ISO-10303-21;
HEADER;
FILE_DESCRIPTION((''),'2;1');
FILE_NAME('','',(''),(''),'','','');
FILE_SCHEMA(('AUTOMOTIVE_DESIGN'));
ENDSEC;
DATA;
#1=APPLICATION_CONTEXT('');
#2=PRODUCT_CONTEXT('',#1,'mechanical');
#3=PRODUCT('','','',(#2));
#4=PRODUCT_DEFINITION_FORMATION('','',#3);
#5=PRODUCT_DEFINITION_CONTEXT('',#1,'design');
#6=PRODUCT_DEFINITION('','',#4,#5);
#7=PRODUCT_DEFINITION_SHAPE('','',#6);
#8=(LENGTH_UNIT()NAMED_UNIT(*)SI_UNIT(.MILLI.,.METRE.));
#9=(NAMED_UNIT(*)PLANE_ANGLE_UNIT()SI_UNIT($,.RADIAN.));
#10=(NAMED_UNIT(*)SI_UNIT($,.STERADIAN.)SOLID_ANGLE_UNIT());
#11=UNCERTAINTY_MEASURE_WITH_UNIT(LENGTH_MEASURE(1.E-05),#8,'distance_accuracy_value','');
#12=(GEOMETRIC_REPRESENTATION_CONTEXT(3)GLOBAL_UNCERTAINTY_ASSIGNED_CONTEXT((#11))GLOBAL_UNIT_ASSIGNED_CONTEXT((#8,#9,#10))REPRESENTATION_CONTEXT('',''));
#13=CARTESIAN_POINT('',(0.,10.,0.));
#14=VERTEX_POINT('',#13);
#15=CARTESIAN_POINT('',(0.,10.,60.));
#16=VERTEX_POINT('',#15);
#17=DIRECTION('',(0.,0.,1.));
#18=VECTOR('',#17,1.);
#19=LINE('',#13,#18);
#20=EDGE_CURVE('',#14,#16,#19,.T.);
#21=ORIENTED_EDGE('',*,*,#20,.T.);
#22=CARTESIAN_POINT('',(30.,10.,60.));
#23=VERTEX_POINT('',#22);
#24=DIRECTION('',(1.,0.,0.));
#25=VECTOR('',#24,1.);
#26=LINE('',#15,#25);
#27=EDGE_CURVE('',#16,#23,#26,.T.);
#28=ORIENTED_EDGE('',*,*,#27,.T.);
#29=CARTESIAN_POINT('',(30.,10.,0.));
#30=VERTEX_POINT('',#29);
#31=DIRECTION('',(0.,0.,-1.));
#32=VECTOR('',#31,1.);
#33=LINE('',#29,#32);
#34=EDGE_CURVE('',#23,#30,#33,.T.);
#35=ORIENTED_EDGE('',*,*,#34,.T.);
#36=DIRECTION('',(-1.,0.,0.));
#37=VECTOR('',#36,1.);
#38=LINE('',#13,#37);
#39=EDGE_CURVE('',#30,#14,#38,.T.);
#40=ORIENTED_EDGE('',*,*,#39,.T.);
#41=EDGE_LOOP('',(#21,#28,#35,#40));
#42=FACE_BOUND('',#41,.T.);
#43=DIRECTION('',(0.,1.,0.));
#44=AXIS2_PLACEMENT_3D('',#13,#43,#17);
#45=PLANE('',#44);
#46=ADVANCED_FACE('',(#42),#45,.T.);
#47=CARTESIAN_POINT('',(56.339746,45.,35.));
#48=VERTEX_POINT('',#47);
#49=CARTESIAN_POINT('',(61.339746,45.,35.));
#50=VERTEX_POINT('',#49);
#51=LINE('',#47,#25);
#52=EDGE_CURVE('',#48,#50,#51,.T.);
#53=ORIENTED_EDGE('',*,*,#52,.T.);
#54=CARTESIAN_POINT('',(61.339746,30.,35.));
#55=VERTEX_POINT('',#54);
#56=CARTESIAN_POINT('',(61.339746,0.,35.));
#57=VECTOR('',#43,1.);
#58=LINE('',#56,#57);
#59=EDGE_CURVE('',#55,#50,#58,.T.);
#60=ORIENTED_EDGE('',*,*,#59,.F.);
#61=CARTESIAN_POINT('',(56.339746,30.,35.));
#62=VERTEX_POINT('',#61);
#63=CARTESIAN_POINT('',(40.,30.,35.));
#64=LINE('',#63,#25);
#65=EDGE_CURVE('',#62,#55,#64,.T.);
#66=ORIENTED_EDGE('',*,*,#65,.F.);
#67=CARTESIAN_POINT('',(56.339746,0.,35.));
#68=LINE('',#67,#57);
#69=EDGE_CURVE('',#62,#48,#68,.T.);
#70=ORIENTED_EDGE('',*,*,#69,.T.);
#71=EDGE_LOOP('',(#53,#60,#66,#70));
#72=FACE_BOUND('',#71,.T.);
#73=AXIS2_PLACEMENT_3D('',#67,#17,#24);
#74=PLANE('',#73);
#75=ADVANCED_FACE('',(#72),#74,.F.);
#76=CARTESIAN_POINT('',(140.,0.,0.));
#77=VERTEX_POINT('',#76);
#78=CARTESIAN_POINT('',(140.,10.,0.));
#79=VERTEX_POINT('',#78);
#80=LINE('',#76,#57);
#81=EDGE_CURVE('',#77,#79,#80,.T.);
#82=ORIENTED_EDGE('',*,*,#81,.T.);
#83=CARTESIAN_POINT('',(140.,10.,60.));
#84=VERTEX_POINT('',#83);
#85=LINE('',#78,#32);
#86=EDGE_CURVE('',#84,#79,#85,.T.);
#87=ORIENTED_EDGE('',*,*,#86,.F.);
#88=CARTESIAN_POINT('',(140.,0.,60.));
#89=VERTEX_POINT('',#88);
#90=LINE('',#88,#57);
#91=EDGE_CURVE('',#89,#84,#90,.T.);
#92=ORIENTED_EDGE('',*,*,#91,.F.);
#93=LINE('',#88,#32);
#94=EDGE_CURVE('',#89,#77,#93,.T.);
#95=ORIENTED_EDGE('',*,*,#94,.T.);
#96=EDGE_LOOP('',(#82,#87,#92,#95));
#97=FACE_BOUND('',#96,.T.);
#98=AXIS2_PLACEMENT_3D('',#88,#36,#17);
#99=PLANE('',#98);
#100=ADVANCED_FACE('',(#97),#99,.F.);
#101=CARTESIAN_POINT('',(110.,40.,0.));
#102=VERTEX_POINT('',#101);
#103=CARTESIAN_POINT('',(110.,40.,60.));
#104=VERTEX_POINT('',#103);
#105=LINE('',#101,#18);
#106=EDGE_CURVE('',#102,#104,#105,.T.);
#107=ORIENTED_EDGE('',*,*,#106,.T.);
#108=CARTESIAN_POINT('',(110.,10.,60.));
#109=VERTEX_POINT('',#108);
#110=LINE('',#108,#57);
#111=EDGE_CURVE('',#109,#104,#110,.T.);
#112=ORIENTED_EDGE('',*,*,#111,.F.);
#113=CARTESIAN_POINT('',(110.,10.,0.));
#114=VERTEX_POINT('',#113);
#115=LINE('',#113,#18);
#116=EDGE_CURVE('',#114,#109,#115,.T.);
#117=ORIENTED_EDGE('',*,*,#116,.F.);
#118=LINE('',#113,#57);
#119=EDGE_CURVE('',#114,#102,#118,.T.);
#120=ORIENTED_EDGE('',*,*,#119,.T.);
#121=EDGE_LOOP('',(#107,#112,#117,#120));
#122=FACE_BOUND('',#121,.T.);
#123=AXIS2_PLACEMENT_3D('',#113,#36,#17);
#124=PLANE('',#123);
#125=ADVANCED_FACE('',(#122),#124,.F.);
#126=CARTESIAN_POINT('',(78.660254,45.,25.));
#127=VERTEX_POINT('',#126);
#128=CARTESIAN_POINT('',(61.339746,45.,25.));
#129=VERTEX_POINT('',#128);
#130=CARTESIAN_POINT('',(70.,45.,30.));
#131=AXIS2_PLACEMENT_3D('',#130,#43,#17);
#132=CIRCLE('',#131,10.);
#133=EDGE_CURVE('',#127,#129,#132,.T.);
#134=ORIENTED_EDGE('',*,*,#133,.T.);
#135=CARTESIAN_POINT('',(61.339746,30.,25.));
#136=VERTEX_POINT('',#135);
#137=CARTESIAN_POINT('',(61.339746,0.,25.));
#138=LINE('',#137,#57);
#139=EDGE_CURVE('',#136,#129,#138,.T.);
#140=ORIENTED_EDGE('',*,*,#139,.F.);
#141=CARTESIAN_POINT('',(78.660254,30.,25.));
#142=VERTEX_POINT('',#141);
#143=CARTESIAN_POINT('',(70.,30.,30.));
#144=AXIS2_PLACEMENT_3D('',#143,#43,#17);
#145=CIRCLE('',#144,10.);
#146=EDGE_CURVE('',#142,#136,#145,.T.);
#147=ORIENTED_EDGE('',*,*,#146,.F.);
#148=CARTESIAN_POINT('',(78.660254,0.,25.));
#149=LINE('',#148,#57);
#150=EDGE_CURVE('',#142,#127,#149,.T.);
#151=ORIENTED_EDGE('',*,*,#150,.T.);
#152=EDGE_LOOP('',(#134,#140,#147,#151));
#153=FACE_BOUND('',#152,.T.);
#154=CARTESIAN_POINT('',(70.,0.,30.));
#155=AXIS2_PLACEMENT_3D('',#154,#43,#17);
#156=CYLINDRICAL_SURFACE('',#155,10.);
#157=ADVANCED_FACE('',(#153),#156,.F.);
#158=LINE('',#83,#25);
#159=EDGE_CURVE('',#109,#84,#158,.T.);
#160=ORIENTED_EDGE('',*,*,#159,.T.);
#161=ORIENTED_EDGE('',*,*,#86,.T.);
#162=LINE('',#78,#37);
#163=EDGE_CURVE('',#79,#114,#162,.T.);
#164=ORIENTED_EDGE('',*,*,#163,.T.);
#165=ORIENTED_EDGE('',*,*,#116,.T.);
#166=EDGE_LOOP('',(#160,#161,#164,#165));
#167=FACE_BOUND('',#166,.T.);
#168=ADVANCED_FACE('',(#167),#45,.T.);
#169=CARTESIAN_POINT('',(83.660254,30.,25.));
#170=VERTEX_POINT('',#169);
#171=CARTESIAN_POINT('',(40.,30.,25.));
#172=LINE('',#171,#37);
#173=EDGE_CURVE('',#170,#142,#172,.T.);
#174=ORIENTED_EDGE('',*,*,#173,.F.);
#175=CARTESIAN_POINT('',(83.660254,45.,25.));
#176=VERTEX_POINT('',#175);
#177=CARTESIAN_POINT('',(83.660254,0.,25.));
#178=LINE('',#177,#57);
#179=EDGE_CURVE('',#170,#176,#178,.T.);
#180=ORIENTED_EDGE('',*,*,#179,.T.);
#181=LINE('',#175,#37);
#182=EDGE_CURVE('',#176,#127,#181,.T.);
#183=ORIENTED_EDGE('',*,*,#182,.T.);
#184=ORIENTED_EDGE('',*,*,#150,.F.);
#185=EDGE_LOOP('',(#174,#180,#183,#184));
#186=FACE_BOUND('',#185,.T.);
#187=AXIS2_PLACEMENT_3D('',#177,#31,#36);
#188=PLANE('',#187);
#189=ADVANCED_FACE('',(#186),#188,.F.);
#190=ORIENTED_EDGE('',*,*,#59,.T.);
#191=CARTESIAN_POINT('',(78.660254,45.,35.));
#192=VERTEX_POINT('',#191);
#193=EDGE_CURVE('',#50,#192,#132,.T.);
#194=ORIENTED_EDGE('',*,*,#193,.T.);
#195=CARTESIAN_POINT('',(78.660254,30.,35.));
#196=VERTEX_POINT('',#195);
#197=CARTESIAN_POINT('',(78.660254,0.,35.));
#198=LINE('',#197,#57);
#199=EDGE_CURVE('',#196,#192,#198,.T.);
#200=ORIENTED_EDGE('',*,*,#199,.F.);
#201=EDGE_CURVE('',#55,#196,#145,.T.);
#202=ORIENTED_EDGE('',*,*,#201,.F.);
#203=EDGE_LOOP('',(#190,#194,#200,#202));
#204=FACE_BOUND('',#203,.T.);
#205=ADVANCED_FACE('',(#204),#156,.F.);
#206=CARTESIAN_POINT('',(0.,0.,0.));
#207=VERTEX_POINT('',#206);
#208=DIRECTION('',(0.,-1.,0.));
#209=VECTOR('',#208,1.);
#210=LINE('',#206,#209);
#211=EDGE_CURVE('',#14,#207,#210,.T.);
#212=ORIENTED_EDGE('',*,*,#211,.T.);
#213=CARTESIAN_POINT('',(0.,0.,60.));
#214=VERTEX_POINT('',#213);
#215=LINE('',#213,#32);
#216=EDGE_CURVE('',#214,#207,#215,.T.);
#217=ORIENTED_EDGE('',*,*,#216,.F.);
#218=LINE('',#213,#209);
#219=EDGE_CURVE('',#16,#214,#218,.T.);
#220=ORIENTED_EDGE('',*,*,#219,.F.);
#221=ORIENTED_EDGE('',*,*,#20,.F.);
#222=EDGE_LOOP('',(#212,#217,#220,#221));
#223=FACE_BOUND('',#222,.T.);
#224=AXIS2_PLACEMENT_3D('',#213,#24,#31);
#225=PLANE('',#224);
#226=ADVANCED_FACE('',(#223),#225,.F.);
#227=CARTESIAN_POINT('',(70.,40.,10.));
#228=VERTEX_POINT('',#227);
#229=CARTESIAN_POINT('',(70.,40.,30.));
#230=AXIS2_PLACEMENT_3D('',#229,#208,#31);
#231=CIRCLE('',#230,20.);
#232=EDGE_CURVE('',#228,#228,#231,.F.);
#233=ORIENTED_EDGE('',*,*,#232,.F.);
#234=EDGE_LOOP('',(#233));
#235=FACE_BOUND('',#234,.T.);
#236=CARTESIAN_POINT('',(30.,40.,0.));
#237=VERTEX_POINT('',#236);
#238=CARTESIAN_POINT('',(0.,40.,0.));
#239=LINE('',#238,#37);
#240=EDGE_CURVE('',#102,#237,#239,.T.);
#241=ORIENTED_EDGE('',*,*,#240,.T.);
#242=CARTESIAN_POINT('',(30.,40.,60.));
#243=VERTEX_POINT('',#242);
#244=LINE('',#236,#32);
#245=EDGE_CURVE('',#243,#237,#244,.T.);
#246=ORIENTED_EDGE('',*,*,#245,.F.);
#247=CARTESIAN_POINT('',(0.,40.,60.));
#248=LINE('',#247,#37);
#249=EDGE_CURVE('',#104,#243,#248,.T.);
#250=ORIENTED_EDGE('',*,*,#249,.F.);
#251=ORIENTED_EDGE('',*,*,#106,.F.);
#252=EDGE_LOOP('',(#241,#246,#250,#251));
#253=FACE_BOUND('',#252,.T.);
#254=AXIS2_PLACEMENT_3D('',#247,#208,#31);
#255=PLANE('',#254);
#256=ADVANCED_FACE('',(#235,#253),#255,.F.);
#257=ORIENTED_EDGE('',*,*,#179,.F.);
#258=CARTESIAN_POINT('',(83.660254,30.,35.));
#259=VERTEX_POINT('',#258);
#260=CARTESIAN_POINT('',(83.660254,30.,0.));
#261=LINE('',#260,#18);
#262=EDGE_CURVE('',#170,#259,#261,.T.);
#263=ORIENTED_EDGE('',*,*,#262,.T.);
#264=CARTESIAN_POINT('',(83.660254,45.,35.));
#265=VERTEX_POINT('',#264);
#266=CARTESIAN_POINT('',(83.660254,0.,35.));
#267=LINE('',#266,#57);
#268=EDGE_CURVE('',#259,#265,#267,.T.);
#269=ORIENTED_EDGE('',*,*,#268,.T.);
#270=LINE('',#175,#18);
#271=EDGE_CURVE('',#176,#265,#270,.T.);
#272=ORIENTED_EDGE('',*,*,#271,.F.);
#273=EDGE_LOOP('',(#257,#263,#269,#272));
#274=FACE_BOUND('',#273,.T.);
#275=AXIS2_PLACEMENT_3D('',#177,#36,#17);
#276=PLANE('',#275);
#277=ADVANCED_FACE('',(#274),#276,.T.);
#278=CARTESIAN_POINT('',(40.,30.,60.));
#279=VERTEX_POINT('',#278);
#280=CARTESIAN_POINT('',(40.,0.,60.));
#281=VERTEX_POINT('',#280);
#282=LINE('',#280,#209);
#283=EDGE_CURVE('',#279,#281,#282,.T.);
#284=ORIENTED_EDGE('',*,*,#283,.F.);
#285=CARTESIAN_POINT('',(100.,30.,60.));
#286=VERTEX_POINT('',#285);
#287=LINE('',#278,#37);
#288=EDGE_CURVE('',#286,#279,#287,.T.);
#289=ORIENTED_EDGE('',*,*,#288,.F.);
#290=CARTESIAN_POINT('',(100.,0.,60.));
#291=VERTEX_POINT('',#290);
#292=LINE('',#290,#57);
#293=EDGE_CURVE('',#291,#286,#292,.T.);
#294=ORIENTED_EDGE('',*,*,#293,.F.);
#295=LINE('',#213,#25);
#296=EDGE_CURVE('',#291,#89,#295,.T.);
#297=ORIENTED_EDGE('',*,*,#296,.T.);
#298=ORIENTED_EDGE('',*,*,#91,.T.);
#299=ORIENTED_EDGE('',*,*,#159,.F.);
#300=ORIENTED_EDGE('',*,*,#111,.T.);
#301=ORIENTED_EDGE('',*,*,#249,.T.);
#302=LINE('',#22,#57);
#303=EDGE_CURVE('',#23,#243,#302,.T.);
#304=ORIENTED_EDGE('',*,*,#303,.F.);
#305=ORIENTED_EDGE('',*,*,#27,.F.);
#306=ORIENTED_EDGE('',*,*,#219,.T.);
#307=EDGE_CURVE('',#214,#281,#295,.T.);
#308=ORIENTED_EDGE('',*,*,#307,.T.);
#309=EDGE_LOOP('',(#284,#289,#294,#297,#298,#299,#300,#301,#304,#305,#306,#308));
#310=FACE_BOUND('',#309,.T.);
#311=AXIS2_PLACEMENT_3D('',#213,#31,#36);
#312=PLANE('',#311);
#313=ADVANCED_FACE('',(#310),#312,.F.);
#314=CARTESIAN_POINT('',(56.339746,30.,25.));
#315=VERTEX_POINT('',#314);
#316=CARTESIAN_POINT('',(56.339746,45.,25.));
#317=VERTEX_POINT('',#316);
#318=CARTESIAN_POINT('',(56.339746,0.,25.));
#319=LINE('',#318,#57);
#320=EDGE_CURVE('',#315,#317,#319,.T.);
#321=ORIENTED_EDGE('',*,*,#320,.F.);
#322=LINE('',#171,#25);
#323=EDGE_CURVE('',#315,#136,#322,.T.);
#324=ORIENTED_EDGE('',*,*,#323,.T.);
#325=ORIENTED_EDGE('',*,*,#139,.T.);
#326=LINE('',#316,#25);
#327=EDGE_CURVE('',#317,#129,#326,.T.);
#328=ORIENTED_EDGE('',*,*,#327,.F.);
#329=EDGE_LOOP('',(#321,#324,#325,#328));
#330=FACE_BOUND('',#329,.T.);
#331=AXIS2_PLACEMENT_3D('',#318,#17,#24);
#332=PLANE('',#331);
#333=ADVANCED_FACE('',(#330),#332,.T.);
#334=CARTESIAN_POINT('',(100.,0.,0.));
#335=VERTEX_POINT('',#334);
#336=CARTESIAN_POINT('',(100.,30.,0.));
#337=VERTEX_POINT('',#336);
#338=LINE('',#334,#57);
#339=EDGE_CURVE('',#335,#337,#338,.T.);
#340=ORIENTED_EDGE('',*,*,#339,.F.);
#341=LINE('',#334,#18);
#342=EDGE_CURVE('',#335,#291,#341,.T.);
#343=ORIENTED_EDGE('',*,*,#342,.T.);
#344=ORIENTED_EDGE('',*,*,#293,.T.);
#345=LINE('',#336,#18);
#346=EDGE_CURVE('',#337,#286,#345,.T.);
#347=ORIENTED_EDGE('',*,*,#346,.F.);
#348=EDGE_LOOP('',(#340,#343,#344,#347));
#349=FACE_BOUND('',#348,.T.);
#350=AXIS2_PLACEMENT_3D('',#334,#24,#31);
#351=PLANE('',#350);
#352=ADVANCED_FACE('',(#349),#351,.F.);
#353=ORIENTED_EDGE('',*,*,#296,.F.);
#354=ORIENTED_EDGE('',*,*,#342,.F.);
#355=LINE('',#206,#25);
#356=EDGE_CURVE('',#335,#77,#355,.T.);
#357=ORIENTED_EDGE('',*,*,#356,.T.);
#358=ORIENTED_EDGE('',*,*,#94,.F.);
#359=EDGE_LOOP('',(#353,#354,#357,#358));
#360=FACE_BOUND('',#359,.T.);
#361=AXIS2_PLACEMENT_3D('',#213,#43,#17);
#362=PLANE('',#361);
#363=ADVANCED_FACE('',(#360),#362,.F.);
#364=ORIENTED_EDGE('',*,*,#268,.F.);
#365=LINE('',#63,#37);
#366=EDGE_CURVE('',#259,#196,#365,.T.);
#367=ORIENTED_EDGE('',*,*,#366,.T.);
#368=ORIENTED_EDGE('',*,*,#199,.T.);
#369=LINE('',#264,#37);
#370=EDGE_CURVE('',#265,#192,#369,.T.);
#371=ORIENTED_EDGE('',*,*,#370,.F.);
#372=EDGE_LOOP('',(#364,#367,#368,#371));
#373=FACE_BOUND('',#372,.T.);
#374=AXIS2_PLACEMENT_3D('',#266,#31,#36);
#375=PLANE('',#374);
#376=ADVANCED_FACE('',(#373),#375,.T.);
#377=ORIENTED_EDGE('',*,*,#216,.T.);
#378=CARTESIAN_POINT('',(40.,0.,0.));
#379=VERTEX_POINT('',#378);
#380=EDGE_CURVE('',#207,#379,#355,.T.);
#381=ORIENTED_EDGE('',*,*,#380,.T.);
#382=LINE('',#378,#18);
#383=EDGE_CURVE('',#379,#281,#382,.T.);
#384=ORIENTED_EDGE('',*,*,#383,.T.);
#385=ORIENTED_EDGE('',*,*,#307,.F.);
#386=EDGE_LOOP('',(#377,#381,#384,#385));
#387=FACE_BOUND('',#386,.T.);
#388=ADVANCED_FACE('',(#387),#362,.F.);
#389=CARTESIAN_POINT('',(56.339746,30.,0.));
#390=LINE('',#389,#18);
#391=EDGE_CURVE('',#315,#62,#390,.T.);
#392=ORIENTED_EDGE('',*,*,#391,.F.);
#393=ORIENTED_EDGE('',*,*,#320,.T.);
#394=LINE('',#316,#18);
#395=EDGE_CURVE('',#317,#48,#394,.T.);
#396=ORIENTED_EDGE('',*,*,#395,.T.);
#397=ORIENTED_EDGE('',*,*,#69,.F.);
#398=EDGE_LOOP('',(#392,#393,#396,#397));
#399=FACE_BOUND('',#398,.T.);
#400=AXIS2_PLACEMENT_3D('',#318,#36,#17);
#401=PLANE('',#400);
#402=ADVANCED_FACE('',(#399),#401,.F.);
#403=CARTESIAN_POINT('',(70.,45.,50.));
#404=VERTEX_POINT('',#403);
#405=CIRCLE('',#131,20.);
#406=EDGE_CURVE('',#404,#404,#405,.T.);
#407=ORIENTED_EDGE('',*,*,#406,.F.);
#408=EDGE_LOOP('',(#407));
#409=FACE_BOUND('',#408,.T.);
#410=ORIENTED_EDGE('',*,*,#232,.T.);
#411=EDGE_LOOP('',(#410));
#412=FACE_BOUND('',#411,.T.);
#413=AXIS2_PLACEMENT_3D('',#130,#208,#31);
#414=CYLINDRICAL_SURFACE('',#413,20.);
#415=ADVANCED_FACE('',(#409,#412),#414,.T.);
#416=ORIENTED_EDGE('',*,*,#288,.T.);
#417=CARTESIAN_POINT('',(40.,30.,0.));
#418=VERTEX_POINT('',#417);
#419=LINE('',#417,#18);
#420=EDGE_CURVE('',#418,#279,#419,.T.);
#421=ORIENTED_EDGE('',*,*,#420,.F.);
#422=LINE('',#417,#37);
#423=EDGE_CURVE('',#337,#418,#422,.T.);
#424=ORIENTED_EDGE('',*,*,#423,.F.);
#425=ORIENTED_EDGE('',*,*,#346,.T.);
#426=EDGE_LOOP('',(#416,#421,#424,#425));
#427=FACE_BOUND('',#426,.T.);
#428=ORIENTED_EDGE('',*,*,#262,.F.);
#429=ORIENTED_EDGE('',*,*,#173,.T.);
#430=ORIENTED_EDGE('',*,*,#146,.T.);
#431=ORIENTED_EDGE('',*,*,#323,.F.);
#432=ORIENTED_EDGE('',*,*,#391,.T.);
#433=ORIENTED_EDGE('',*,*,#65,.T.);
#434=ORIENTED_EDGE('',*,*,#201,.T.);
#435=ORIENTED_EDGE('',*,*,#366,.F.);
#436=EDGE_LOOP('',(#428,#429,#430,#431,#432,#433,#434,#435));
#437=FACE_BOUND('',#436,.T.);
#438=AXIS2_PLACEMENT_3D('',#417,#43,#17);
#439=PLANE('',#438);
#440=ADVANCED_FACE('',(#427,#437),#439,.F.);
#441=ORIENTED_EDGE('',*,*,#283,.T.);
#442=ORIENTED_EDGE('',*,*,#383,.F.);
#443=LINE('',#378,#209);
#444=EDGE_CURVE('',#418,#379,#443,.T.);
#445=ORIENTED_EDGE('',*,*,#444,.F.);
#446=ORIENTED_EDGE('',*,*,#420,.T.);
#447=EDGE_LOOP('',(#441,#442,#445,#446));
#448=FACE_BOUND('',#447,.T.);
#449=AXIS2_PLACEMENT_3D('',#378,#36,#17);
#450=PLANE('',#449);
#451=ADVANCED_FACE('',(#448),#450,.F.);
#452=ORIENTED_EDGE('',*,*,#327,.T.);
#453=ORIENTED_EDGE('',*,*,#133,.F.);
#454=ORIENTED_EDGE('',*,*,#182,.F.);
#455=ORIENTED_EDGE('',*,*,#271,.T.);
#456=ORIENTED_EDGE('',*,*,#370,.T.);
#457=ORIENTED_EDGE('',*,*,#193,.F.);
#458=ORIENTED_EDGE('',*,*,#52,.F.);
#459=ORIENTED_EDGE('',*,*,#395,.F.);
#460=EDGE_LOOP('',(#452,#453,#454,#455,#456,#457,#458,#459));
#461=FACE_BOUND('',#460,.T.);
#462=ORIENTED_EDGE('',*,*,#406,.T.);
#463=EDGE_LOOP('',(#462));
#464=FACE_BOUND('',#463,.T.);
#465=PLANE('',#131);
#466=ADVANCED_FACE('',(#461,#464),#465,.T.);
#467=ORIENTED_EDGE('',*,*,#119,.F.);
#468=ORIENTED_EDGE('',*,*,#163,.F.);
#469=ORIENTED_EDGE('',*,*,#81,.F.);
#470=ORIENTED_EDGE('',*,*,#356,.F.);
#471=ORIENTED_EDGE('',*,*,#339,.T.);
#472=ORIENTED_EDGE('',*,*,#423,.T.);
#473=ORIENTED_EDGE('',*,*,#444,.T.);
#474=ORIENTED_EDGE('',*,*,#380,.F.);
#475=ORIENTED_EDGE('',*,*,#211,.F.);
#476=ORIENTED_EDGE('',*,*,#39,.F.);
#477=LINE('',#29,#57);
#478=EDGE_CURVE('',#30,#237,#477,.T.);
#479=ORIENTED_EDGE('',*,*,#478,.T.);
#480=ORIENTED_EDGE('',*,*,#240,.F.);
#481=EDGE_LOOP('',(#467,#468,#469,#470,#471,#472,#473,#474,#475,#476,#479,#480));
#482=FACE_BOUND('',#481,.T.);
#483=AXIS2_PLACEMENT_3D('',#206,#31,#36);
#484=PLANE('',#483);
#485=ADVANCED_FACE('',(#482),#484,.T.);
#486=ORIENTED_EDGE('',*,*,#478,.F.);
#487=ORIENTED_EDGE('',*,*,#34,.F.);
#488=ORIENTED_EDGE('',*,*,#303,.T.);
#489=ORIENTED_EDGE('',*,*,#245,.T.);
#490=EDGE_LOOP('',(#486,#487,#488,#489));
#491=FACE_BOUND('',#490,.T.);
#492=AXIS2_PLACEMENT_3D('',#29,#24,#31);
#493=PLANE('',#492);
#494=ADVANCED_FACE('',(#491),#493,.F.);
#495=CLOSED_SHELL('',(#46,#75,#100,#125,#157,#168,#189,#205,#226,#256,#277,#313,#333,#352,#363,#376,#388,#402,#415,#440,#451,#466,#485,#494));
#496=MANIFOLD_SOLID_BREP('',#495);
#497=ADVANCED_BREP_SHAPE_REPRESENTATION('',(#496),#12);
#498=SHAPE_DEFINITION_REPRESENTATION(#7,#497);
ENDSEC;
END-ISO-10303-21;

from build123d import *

# Parameters (mm, degrees)
IZIM1_W                     = 140
IZIM1_H                     = 40
Y_KSEKLIK_EKSTR_ZYON1_DEPTH = 60
IZIM2_W                     = 30
IZIM2_H                     = 60
KES_EKSTR_ZYON1_DEPTH       = 30
IZIM3_W                     = 60
IZIM3_H                     = 30
KES_EKSTR_ZYON2_DEPTH       = 158.48015748
KES_EKSTR_ZYON3_DEPTH       = 158.48015748
Y_KSEKLIK_EKSTR_ZYON2_START = 5
IZIM4_4_R                   = 20
Y_KSEKLIK_EKSTR_ZYON2_DEPTH = 5


with BuildPart() as part:
    # Çizim1 → Yükseklik-Ekstrüzyon1 (new body)
    with BuildSketch(Plane.XY):
        with Locations((70, 20)):
            Rectangle(IZIM1_W, IZIM1_H)
    extrude(amount=Y_KSEKLIK_EKSTR_ZYON1_DEPTH)

    # Çizim2 → Kes-Ekstrüzyon1 (cut)
    with BuildSketch(Plane(origin=(0, 40, 0), x_dir=(1, 0, 0), z_dir=(0, 1, 0))):
        with Locations((15, -30)):
            Rectangle(IZIM2_W, IZIM2_H)
        with Locations((125, -30)):
            Rectangle(IZIM2_W, IZIM2_H)
    extrude(amount=-KES_EKSTR_ZYON1_DEPTH, mode=Mode.SUBTRACT)

    # Çizim3 → Kes-Ekstrüzyon2 (cut, through all)
    with BuildSketch(Plane.XY.offset(60)):
        with Locations((70, 15)):
            Rectangle(IZIM3_W, IZIM3_H)
    extrude(amount=-KES_EKSTR_ZYON2_DEPTH, mode=Mode.SUBTRACT)

    # Çizim4 → Kes-Ekstrüzyon3 (cut, through all)
    with BuildSketch(Plane(origin=(0, 40, 0), x_dir=(1, 0, 0), z_dir=(0, 1, 0))):
        with BuildLine():
            Line((56.339745962, -25), (61.339745962, -25))
            ThreePointArc((61.339745962, -25), (70, -20), (78.660254038, -25))
            Line((78.660254038, -25), (83.660254038, -25))
            Line((83.660254038, -25), (83.660254038, -35))
            Line((83.660254038, -35), (78.660254038, -35))
            ThreePointArc((78.660254038, -35), (70, -40), (61.339745962, -35))
            Line((61.339745962, -35), (56.339745962, -35))
            Line((56.339745962, -35), (56.339745962, -25))
        make_face()
    extrude(amount=-KES_EKSTR_ZYON3_DEPTH, mode=Mode.SUBTRACT)

    # Çizim4<4> → Yükseklik-Ekstrüzyon2 (add)
    with BuildSketch(Plane(origin=(0, 40, 0), x_dir=(1, 0, 0), z_dir=(0, 1, 0)).offset(Y_KSEKLIK_EKSTR_ZYON2_START)):
        with Locations((70, -30)):
            Circle(IZIM4_4_R)
        with BuildLine():
            Line((56.339745962, -25), (61.339745962, -25))
            ThreePointArc((61.339745962, -25), (70, -20), (78.660254038, -25))
            Line((78.660254038, -25), (83.660254038, -25))
            Line((83.660254038, -25), (83.660254038, -35))
            Line((83.660254038, -35), (78.660254038, -35))
            ThreePointArc((78.660254038, -35), (70, -40), (61.339745962, -35))
            Line((61.339745962, -35), (56.339745962, -35))
            Line((56.339745962, -35), (56.339745962, -25))
        make_face(mode=Mode.SUBTRACT)
    extrude(amount=-Y_KSEKLIK_EKSTR_ZYON2_DEPTH)


solid = part.part
